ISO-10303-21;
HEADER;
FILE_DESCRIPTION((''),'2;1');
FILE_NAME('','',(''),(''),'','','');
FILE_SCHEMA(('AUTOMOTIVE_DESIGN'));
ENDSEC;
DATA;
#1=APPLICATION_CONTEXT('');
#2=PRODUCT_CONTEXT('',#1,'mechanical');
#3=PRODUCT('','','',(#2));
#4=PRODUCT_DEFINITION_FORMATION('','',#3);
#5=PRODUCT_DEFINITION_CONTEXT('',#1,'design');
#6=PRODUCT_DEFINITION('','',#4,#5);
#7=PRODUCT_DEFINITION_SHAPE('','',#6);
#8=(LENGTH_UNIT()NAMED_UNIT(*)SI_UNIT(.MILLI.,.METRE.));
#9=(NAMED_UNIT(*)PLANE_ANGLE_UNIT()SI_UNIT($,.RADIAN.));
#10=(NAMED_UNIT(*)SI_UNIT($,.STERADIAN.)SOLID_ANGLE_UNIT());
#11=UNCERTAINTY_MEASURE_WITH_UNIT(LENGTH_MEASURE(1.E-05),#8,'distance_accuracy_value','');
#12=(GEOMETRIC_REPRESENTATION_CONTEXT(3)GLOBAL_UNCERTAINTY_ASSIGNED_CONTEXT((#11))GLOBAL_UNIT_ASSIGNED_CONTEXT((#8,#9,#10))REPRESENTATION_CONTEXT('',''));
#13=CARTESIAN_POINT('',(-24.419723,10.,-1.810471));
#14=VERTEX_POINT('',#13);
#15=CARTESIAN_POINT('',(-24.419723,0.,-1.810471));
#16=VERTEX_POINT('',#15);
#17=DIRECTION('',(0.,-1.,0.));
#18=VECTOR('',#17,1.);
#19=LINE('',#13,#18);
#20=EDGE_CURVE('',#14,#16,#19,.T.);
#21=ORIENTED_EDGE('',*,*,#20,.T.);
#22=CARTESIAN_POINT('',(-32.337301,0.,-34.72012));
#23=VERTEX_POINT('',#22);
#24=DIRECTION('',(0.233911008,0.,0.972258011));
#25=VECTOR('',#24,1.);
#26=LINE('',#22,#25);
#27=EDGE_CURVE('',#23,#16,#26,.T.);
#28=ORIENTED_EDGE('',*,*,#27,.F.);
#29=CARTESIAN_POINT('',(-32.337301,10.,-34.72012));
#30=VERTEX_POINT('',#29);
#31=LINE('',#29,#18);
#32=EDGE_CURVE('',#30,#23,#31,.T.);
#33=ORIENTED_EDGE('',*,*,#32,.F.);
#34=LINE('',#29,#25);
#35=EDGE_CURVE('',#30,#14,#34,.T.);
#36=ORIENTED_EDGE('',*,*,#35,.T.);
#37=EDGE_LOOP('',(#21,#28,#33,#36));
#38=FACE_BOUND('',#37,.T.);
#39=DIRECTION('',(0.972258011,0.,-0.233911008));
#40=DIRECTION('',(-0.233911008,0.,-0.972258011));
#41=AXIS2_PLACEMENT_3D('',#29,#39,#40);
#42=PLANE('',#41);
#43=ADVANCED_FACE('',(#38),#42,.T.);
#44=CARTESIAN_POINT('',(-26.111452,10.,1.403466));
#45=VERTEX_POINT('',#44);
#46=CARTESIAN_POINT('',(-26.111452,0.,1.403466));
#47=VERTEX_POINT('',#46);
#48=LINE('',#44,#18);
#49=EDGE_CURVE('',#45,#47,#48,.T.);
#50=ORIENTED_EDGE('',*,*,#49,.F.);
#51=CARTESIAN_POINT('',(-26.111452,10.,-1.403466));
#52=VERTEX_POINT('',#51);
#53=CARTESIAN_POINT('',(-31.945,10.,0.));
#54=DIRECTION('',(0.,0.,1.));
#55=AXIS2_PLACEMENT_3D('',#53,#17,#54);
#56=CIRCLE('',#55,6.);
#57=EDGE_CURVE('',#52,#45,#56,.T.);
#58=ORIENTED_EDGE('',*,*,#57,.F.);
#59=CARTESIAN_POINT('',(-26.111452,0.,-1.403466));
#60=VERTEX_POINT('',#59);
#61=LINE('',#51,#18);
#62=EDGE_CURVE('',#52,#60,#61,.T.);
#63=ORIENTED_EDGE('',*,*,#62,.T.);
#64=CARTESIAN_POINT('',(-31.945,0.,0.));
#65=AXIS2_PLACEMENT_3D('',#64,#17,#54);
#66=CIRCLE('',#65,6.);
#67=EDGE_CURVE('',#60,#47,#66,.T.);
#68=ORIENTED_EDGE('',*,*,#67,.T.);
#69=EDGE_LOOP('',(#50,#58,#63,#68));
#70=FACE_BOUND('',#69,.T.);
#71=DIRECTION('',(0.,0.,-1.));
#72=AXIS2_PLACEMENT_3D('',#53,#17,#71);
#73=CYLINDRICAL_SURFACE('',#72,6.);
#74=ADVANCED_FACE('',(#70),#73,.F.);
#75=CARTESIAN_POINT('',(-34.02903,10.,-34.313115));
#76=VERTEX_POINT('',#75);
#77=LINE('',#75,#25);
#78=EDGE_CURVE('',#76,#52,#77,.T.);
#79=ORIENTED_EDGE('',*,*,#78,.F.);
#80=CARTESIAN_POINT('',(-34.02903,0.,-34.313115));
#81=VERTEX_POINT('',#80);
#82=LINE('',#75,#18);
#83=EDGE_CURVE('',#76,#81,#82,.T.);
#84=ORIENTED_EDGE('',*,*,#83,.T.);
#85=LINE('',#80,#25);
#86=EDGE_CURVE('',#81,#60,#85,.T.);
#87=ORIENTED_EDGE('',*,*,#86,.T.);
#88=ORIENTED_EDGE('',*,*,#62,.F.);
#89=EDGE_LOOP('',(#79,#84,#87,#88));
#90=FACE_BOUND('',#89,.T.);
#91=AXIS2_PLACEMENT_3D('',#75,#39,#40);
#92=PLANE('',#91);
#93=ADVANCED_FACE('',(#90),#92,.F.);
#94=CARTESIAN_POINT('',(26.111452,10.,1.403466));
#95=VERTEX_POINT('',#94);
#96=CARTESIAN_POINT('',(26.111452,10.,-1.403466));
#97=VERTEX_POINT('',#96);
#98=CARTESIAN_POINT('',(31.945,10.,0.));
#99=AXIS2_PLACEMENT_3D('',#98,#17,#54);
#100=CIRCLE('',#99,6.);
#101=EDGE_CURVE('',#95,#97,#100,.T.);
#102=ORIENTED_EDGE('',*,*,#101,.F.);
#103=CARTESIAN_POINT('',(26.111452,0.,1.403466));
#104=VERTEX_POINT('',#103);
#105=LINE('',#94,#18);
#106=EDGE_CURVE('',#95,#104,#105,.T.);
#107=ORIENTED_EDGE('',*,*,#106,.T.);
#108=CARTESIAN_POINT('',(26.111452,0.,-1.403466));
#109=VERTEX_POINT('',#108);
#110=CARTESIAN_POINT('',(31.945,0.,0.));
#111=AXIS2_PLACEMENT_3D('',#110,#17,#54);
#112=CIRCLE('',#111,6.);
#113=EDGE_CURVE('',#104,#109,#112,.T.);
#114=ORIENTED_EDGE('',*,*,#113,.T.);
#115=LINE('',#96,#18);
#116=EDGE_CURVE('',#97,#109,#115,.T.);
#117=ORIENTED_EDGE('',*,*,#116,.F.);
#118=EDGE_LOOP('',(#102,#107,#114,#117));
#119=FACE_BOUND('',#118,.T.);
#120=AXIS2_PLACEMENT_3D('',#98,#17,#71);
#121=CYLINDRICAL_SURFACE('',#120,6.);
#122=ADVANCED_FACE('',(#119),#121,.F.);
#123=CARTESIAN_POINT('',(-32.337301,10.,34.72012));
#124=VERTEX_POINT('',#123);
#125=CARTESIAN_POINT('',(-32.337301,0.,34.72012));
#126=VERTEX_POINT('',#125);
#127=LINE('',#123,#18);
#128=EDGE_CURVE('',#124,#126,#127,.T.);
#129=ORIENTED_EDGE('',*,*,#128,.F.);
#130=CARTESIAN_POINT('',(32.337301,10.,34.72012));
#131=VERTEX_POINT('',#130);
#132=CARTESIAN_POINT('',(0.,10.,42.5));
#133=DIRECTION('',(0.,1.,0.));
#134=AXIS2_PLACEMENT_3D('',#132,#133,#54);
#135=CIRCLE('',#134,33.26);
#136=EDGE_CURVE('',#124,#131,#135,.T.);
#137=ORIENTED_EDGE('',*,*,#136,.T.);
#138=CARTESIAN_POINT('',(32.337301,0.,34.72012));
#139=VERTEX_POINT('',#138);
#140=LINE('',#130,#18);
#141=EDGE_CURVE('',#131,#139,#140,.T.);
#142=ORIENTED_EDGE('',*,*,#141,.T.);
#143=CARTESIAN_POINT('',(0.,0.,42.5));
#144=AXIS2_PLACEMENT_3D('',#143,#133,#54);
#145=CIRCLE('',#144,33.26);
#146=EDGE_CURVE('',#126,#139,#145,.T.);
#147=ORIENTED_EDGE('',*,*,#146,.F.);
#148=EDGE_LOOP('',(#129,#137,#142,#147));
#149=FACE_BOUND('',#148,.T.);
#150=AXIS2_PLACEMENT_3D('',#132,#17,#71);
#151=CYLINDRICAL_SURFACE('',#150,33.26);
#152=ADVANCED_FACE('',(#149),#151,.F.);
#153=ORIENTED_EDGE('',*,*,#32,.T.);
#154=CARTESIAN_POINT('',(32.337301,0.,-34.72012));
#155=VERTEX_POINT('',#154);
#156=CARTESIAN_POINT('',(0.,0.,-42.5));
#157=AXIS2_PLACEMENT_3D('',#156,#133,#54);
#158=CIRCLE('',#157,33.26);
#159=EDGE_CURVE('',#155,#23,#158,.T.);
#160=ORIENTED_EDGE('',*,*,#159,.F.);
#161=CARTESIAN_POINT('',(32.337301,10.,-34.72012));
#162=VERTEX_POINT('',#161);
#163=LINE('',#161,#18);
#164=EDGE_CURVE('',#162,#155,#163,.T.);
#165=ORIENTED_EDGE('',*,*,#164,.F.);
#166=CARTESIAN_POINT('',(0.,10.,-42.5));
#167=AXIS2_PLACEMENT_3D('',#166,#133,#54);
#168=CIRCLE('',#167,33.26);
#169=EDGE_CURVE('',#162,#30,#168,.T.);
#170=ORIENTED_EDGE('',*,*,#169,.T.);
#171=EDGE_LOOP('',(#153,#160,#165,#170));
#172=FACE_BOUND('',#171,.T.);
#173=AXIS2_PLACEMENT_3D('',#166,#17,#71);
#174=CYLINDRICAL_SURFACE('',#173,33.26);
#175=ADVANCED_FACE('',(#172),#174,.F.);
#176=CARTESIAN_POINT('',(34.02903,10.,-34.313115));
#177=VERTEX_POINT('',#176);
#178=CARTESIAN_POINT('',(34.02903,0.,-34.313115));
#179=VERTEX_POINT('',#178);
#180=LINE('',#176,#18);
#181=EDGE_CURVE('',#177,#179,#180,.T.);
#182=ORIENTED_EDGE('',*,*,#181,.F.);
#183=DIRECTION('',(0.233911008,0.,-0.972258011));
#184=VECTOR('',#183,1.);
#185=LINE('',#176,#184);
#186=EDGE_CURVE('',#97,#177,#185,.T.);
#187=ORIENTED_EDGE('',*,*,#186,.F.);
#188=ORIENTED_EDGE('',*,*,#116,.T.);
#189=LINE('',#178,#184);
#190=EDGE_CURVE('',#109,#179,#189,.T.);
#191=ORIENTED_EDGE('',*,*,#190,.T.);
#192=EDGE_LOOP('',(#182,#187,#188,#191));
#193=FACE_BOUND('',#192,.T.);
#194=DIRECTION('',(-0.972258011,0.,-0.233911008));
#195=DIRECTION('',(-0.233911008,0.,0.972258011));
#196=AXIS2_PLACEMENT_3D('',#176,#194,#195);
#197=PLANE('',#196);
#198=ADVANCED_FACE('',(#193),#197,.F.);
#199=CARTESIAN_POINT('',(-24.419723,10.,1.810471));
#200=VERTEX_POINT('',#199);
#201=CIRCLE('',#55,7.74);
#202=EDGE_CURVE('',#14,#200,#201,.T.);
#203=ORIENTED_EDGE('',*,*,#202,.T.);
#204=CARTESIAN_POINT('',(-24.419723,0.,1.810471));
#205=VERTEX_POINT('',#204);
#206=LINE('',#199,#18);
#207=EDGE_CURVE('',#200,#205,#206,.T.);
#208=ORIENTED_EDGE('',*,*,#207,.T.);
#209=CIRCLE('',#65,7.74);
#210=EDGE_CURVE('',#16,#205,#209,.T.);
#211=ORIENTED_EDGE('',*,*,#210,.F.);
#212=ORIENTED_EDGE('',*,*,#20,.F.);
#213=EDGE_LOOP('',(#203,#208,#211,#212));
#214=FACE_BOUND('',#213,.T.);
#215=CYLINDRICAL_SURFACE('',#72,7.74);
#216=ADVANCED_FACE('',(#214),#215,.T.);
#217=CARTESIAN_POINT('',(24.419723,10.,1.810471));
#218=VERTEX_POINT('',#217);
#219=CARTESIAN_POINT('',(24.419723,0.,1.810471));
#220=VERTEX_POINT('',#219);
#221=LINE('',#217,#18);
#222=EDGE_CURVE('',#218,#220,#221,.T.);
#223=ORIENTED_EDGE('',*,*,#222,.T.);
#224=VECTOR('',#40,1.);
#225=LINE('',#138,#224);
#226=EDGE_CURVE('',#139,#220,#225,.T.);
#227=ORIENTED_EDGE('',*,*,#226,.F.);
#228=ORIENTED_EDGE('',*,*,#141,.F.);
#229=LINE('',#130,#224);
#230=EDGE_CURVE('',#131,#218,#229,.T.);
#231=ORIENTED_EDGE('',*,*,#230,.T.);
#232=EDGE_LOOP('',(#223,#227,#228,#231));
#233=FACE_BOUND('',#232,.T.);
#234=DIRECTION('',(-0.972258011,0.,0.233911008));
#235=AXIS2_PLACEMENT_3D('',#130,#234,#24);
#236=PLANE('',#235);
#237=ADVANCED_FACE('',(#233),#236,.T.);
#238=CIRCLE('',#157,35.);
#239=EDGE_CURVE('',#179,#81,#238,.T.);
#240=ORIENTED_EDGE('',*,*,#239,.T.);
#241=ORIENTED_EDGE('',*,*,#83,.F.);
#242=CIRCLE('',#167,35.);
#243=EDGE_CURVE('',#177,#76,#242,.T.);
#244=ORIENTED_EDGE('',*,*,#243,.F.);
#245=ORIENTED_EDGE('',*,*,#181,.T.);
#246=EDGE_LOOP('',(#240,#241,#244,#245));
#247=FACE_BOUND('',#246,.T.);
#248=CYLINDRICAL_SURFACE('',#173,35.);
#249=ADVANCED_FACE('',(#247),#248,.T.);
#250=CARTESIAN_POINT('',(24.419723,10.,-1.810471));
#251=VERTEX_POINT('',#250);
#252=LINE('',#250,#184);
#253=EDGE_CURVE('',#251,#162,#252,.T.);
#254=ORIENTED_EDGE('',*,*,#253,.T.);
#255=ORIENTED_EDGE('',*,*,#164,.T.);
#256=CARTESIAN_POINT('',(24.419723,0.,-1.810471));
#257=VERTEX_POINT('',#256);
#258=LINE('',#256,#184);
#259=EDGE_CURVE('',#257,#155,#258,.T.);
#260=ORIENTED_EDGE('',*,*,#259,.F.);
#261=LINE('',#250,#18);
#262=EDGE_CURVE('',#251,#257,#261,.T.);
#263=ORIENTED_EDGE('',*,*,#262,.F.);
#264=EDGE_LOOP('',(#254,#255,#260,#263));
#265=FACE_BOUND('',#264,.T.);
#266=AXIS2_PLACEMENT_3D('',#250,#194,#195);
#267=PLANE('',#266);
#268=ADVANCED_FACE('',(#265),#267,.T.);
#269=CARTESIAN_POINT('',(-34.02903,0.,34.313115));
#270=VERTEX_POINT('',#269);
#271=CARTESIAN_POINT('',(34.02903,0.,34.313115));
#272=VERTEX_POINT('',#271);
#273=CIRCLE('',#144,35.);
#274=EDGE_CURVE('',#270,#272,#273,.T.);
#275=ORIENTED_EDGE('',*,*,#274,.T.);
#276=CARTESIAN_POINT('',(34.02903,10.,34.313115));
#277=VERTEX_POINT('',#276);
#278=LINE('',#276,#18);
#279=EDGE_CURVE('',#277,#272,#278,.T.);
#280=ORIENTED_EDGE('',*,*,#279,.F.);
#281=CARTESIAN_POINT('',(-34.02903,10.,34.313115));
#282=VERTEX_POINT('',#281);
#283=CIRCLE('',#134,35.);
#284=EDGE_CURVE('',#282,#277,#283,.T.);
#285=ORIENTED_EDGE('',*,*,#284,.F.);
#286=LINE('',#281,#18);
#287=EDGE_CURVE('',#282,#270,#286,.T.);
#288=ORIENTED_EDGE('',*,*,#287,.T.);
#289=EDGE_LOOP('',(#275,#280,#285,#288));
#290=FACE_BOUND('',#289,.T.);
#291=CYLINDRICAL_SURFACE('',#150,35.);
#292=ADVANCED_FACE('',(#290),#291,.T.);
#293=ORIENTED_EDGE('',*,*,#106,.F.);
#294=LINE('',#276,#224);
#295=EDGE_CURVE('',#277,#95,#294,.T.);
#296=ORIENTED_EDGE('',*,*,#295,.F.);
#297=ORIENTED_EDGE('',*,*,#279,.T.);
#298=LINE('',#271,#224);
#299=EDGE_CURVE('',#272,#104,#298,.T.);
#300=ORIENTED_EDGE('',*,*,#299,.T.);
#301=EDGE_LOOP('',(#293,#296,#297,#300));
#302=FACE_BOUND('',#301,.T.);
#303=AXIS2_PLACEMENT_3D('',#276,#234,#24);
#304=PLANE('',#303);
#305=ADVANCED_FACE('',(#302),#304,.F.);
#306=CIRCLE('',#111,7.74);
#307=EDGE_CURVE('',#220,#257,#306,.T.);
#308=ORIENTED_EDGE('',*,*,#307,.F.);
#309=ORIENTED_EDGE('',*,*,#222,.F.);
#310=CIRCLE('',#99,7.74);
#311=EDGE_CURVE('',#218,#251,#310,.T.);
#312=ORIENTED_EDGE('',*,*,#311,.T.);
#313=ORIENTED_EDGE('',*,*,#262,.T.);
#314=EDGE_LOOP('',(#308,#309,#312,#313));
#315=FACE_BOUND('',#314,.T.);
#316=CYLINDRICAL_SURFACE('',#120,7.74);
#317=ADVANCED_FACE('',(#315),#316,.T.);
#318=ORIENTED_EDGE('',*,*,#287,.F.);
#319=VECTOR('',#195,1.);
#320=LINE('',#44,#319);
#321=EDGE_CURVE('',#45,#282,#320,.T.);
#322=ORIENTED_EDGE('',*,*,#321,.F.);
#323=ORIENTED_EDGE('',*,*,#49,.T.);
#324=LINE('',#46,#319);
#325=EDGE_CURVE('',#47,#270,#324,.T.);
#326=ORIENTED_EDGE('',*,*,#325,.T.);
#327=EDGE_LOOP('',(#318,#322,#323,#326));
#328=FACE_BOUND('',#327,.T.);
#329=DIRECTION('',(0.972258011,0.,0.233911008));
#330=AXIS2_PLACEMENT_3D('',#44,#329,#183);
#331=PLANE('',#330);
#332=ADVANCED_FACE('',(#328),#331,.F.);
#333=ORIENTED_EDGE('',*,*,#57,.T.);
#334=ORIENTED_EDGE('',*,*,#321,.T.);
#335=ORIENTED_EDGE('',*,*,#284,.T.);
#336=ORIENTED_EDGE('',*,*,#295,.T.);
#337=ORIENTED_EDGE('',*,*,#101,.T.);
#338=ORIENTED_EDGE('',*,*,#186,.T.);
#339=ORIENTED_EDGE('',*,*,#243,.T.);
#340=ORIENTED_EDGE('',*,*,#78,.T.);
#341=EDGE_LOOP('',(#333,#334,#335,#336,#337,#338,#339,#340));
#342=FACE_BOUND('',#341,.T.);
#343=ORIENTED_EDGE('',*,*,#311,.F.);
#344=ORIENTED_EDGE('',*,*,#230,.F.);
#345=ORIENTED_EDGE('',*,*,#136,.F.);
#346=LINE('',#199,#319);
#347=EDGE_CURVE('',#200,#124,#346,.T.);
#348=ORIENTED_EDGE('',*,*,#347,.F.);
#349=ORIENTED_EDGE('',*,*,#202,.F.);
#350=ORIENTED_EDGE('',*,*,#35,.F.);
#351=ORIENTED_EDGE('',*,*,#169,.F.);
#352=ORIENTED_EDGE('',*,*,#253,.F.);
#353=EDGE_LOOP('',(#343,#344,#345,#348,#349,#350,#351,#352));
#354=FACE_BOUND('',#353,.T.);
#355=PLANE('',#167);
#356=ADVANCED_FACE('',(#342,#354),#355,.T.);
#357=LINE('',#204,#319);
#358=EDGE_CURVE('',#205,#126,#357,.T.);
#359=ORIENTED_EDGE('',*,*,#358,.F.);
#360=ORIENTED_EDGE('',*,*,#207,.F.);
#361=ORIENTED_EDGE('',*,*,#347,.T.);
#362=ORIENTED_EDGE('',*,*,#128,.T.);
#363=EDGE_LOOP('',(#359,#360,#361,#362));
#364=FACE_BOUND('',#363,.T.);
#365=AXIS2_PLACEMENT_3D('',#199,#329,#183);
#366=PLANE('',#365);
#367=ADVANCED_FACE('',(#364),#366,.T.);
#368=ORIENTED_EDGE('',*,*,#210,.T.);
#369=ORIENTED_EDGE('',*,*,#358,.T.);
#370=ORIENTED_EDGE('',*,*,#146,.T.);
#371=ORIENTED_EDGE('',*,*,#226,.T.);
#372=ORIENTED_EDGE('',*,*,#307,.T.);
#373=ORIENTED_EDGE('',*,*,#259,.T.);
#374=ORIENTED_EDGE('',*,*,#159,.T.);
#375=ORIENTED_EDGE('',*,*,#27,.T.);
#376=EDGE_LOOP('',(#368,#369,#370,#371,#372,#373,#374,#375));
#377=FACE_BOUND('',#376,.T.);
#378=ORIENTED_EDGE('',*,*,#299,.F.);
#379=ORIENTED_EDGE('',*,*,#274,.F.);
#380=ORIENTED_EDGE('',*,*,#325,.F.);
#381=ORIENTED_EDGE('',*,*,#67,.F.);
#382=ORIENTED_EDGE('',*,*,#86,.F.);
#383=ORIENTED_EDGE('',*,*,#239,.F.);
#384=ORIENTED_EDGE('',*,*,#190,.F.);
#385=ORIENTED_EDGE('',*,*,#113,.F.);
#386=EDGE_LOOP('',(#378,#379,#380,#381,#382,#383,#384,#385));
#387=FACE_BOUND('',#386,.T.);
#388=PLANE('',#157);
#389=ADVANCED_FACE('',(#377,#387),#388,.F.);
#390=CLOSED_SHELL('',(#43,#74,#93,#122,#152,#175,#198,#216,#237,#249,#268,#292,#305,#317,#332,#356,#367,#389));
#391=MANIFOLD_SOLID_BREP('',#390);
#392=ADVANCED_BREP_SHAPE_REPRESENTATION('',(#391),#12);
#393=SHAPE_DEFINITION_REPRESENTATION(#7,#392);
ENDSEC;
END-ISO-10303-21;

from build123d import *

# Parameters (mm, degrees)
EXTRUDE_1_DEPTH = 10


with BuildPart() as part:
    # 草图1 → 凸台-拉伸1 (new body)
    with BuildSketch(Plane(origin=(0, 0, 0), x_dir=(1, 0, 0), z_dir=(0, 1, 0))):
        with BuildLine():
            Line((-34.029030394, 34.313114728), (-26.111451933, 1.403466047))
            ThreePointArc((-26.111451933, 1.403466047), (-25.945, 0), (-26.111451933, -1.403466047))
            Line((-26.111451933, -1.403466047), (-34.029030394, -34.313114728))
            ThreePointArc((-34.029030394, -34.313114728), (0, -77.5), (34.029030394, -34.313114728))
            Line((34.029030394, -34.313114728), (26.111451933, -1.403466047))
            ThreePointArc((26.111451933, -1.403466047), (25.945, 0), (26.111451933, 1.403466047))
            Line((26.111451933, 1.403466047), (34.029030394, 34.313114728))
            ThreePointArc((34.029030394, 34.313114728), (0, 77.5), (-34.029030394, 34.313114728))
        make_face()
        with BuildLine():
            Line((-32.337301454, 34.720119881), (-24.419722993, 1.8104712))
            ThreePointArc((-24.419722993, 1.8104712), (-24.205, 0), (-24.419722993, -1.8104712))
            Line((-24.419722993, -1.8104712), (-32.337301454, -34.720119881))
            ThreePointArc((-32.337301454, -34.720119881), (0, -75.76), (32.337301454, -34.720119881))
            Line((32.337301454, -34.720119881), (24.419722993, -1.8104712))
            ThreePointArc((24.419722993, -1.8104712), (24.205, 0), (24.419722993, 1.8104712))
            Line((24.419722993, 1.8104712), (32.337301454, 34.720119881))
            ThreePointArc((32.337301454, 34.720119881), (0, 75.76), (-32.337301454, 34.720119881))
        make_face(mode=Mode.SUBTRACT)
    extrude(amount=EXTRUDE_1_DEPTH)


solid = part.part
